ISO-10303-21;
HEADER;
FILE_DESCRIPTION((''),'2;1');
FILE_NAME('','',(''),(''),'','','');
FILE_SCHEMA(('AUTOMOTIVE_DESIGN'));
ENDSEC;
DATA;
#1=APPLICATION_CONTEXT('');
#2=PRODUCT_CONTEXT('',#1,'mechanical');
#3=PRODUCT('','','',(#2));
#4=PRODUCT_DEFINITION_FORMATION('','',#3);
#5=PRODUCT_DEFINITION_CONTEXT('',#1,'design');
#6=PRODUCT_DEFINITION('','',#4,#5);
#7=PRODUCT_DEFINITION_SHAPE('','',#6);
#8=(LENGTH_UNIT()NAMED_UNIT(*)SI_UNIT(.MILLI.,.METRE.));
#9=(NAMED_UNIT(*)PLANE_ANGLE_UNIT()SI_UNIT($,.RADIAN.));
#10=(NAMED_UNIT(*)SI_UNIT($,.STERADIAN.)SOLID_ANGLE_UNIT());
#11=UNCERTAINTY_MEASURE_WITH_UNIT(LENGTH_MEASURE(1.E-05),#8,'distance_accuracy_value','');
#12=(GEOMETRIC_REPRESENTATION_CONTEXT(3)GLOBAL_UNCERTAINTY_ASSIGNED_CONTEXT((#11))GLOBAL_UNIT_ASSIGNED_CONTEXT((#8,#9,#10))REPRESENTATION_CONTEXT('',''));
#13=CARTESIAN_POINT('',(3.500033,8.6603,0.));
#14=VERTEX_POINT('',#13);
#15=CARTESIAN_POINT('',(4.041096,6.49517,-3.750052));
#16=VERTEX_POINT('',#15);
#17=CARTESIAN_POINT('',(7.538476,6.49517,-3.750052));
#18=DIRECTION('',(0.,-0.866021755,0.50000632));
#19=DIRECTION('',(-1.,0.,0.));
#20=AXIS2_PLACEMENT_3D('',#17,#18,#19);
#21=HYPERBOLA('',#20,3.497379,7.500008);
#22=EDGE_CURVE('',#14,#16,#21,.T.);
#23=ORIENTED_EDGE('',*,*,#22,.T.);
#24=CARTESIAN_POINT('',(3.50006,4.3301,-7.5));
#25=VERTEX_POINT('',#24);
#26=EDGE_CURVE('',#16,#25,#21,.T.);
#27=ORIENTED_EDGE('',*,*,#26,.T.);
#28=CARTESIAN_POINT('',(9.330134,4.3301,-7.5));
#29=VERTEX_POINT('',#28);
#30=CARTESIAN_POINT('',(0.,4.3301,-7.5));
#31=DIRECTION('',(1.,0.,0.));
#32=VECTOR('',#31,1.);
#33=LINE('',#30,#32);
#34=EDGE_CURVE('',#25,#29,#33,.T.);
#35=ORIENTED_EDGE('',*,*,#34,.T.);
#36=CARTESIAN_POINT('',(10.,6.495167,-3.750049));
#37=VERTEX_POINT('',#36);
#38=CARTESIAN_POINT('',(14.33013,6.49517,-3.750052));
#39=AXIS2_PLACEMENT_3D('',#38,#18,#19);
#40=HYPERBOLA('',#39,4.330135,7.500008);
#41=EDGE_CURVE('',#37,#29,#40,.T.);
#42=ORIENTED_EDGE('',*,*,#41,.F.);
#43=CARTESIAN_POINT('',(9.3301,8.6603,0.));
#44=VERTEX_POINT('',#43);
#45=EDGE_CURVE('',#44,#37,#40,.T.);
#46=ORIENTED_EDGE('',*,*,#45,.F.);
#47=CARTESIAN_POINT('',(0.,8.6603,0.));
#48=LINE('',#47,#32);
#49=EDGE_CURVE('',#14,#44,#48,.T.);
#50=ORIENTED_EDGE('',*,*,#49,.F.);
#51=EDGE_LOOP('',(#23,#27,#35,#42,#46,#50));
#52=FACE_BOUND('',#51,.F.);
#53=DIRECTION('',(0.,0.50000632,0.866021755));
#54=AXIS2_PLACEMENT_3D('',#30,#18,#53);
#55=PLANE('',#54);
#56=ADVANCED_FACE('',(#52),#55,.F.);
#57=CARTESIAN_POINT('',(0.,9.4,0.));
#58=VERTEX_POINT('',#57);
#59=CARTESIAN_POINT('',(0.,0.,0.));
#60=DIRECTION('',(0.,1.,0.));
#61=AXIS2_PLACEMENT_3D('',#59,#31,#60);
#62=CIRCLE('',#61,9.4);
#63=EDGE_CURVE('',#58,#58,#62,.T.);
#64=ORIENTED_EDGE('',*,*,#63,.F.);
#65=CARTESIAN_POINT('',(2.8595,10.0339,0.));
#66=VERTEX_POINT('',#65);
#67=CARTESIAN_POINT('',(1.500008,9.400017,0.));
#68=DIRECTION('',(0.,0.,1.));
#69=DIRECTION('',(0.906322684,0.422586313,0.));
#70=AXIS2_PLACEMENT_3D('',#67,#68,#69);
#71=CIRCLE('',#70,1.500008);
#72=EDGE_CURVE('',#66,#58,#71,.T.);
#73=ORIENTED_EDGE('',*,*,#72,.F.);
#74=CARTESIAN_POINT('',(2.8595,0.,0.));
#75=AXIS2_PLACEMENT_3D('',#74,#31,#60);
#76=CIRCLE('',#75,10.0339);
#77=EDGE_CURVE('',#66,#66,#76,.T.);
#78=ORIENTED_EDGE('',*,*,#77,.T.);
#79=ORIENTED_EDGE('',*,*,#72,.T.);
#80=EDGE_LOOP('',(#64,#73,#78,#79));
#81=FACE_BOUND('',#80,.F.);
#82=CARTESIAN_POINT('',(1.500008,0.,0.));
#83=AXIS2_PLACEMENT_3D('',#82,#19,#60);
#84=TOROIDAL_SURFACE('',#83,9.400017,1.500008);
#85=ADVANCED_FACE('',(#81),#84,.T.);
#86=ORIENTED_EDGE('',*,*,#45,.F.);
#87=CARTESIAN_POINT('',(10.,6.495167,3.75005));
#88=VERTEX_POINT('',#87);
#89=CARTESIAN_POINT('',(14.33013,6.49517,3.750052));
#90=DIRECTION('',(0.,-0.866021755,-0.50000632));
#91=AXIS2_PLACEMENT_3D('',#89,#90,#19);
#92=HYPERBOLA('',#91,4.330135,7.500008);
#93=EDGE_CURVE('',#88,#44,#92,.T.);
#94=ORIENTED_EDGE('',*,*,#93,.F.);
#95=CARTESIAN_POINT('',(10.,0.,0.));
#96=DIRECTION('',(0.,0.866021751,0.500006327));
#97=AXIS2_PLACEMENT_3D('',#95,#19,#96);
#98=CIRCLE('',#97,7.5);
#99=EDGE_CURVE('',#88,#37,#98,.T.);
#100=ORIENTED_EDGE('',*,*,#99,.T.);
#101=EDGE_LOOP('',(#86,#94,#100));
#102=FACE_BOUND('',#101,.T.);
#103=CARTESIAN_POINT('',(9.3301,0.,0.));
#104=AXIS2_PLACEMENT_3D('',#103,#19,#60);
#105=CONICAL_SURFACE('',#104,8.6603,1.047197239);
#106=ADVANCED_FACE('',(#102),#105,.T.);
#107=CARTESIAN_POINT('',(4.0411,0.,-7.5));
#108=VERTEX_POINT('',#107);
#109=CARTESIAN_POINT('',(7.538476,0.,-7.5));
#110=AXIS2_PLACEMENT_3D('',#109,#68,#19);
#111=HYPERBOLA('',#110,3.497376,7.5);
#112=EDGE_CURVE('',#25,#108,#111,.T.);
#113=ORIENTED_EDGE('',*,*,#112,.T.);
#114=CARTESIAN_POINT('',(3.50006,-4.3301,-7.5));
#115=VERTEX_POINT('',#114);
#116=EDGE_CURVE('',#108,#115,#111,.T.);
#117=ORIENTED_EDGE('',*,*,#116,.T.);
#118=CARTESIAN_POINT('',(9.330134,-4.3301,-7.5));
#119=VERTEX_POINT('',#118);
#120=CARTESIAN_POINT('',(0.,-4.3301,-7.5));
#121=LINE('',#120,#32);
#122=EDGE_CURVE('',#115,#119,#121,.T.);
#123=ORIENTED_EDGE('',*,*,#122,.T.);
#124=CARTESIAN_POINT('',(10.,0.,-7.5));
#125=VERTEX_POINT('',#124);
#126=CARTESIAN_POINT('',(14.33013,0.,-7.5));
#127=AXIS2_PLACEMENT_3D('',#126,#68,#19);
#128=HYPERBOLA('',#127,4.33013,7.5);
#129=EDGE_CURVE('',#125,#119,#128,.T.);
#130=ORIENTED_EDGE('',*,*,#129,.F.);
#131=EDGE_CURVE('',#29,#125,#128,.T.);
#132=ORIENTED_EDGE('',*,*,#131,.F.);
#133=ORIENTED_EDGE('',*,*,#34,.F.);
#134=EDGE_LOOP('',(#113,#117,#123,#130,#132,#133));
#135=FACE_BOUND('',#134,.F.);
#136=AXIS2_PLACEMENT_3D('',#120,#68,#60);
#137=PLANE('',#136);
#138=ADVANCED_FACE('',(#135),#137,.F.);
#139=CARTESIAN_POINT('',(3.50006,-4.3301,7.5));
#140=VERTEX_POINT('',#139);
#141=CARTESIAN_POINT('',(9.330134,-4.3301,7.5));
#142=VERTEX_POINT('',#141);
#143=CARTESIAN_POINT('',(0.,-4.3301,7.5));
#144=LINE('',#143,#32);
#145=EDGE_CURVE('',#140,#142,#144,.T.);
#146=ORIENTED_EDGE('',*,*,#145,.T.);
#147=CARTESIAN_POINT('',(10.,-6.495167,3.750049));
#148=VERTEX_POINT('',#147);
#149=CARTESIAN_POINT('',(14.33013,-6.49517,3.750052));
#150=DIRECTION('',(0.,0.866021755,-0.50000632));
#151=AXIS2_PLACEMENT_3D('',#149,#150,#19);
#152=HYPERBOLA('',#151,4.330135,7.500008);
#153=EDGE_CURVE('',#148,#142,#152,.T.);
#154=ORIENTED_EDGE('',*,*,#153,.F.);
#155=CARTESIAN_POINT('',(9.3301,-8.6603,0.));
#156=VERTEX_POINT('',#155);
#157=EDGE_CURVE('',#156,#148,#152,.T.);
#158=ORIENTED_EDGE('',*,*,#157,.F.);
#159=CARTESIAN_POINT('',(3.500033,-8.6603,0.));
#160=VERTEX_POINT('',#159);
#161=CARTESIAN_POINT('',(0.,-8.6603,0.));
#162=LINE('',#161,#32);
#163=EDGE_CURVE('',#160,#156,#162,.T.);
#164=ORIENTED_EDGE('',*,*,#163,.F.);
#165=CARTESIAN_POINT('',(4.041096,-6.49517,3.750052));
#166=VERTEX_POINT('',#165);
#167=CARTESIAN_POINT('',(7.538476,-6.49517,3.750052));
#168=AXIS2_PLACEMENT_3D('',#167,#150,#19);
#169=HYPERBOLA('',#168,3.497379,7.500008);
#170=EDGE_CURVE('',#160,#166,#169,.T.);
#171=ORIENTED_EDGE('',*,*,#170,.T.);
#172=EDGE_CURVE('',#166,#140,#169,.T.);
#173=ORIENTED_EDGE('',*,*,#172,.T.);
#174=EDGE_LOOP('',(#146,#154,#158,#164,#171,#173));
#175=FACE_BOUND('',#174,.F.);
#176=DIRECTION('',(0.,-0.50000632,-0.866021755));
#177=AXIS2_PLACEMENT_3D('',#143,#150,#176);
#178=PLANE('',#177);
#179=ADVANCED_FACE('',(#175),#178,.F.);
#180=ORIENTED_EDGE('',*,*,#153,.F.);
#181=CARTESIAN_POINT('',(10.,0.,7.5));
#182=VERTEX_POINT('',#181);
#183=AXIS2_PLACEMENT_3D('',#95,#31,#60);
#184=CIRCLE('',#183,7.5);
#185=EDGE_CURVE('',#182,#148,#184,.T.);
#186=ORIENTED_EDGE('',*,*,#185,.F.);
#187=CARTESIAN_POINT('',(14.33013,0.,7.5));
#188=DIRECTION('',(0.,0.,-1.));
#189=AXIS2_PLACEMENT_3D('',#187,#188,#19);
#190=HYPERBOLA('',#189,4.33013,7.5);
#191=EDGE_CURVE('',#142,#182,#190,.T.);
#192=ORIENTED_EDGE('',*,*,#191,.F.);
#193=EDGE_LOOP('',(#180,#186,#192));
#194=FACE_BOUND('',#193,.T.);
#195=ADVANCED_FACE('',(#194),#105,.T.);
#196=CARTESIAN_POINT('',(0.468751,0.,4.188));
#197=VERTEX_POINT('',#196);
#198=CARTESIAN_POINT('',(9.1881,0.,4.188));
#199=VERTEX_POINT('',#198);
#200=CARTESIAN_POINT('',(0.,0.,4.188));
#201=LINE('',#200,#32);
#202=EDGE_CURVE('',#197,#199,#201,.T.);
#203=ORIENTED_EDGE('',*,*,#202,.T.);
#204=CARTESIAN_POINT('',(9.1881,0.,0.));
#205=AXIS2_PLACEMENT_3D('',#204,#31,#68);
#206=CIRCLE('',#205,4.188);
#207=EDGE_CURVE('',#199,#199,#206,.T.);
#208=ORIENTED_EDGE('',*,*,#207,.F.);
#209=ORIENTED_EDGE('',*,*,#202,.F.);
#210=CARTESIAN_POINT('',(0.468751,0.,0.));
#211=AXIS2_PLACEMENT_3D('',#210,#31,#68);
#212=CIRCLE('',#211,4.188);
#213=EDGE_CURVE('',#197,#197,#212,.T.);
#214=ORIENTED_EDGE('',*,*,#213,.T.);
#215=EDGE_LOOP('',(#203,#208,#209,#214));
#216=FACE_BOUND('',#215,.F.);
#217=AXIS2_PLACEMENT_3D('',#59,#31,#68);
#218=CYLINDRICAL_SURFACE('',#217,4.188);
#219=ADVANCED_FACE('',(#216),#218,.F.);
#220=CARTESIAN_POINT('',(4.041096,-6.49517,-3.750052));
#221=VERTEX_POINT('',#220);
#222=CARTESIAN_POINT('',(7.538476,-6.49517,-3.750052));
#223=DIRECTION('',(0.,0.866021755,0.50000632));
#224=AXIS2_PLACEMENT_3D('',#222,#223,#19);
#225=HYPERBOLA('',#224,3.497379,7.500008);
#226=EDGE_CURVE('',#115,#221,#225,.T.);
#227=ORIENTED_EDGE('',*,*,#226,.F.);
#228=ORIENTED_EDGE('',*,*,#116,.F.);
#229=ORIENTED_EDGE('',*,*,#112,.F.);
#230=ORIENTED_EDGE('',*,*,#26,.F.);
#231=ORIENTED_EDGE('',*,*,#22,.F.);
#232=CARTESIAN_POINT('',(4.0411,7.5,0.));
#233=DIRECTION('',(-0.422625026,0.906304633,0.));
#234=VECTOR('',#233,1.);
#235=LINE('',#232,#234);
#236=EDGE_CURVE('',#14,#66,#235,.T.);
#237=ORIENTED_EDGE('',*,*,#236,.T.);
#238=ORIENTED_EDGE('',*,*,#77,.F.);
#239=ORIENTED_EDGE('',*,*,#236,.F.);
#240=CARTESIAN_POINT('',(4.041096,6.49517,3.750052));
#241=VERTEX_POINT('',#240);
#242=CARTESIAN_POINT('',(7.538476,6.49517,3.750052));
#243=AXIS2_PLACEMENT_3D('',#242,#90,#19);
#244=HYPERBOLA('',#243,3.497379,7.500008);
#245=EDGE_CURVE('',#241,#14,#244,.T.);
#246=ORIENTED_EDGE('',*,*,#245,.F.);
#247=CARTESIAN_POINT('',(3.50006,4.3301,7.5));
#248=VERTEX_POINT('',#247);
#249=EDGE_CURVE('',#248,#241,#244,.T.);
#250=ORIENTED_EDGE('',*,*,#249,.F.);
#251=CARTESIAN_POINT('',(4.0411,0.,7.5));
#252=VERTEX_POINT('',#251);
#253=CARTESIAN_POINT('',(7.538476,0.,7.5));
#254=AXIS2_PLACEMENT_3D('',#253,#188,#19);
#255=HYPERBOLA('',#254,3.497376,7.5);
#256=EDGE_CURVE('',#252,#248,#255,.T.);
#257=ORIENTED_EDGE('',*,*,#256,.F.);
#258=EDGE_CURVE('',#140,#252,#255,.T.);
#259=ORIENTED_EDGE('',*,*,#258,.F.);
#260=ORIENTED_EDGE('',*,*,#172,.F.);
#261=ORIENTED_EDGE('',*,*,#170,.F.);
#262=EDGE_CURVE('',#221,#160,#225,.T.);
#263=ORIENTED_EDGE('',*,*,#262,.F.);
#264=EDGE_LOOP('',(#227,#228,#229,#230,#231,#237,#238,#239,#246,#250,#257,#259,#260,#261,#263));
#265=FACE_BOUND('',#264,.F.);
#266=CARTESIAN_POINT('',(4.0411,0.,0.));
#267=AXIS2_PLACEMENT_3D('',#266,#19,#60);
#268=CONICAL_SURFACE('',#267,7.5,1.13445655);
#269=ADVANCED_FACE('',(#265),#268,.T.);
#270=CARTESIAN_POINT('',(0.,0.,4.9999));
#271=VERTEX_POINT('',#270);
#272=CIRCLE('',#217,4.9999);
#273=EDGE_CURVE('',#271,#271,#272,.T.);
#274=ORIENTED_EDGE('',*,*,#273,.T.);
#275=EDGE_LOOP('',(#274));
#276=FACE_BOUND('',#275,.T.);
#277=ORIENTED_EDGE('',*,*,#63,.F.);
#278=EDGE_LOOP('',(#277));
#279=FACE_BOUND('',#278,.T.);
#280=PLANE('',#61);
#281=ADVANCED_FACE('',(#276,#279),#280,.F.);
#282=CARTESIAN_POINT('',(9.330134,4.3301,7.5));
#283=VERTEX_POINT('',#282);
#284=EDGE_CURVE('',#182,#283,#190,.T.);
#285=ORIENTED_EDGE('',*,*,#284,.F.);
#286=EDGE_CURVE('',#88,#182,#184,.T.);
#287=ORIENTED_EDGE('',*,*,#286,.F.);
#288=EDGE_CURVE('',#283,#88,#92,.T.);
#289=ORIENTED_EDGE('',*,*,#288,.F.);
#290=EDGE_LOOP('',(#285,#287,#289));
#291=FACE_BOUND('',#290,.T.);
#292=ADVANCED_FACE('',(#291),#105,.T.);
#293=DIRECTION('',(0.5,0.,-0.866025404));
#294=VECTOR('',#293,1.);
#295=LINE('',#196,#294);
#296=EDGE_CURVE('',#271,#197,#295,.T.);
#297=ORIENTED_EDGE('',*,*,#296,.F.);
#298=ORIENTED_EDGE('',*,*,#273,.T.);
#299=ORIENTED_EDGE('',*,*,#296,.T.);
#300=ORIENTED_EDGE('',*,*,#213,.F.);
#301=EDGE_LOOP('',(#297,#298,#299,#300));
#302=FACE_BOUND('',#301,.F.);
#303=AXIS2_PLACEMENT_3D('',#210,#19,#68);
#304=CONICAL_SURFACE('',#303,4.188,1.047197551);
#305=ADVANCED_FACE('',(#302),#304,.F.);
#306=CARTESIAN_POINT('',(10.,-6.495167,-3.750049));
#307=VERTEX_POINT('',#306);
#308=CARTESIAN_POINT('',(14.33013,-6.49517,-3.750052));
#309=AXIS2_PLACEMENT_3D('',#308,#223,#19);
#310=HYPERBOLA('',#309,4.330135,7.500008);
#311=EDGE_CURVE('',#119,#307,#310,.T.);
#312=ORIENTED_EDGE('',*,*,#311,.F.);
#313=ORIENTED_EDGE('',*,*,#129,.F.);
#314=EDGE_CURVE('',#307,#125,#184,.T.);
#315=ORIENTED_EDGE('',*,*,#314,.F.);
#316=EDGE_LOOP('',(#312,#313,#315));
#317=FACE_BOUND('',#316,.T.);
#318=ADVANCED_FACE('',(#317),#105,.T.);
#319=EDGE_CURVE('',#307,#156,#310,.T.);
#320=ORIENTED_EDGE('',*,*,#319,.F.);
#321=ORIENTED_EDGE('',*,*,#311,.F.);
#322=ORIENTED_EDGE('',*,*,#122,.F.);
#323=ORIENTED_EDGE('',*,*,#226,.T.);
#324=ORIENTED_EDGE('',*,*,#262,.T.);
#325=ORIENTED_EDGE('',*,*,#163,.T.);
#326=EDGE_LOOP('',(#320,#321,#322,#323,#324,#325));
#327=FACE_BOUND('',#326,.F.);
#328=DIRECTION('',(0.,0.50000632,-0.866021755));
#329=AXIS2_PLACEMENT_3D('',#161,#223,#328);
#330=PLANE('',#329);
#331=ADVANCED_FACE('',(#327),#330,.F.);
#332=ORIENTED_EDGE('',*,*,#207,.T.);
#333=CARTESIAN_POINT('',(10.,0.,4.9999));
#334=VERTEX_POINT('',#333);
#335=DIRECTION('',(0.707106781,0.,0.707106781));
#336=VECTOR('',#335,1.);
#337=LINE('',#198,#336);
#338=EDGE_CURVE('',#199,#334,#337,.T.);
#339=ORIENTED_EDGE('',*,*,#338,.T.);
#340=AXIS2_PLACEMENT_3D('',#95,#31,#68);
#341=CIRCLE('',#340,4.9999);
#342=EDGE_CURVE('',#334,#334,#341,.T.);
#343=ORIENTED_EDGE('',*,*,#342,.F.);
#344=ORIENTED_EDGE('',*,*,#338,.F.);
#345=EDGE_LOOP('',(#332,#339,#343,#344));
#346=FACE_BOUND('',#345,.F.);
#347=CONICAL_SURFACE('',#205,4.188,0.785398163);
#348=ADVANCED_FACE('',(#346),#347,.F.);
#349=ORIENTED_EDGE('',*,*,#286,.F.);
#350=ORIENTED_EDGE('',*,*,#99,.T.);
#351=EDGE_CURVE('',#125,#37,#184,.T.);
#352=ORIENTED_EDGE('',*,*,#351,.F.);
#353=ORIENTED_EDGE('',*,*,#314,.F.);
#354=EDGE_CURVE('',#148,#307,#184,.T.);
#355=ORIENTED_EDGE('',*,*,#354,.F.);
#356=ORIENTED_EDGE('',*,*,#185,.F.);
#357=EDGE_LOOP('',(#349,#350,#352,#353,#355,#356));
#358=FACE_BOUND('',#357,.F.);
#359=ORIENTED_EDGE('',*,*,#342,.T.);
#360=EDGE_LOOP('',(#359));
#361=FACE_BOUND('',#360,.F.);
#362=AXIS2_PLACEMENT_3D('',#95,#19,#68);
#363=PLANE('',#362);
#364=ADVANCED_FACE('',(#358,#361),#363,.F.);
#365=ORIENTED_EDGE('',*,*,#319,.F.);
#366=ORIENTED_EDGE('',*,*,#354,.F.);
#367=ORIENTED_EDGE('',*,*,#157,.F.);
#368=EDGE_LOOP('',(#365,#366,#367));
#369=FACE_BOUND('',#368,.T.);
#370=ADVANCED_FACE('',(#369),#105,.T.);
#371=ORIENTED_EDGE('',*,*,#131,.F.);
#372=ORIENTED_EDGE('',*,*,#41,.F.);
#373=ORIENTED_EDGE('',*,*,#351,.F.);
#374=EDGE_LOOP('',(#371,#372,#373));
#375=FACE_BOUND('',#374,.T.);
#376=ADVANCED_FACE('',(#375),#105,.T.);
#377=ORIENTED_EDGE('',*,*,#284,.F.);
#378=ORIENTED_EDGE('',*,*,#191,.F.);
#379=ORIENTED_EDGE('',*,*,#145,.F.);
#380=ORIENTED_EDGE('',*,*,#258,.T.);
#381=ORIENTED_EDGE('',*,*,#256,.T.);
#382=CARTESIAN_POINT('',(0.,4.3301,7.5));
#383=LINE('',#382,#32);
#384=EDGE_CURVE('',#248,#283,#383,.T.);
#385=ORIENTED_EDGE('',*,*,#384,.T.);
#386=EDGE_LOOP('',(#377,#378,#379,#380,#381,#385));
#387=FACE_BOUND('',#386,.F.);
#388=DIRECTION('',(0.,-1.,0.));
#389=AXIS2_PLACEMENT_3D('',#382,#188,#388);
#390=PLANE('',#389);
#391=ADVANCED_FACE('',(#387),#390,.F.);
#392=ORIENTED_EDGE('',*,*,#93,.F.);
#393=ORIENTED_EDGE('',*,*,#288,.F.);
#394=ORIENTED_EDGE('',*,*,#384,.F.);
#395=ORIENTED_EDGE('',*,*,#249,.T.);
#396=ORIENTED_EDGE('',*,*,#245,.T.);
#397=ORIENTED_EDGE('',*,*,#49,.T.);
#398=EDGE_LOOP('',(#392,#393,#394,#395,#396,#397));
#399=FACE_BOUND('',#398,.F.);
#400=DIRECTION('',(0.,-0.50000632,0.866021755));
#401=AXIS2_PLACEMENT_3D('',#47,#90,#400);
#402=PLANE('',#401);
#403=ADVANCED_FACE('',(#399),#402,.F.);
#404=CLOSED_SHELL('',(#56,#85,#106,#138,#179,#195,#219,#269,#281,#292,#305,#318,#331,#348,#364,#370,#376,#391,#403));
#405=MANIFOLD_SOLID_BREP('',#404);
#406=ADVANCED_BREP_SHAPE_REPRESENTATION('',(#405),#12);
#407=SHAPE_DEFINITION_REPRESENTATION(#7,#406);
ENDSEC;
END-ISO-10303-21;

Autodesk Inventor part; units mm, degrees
ref_plane "YZ Plane" through (0, 0, 0) normal (1, 0, 0) x (0, 1, 0)
ref_plane "XZ Plane" through (0, 0, 0) normal (0, 1, 0) x (-1, 0, 0)
sketch "Boceto1" plane through (0, 0, 0) normal (0, 0, 1) x (1, 0, 0)
  line L0 (-2.3053, 0) -> (12.0509, 0) projected
  line L1 (4.0411, 7.5) -> (2.8595, 10.0339)
  line L2 (4.0411, 7.5) -> (10, 7.5) construction
  line L3 (10, 7.5) -> (10, 0) construction
  arc A0 (2.8595, 10.0339) -> (0, 9.4) centre (1.5, 9.4) ccw
  line L4 (4.0411, 7.5) -> (4.0411, 0)
  line L5 (0, -2.2363) -> (0, 13.4177) projected
  point P0 (0, 0)
  dimension "d2" = 15
  dimension "d4" = 21.8
  dimension "d5" = 1.5
  dimension "d15" = 10
  dimension "d16" = 25
revolve "Anilla" add sketch "Boceto1" angle 360 about axis through (-10, 0, 0) along (1, 0, 0)
sketch "Boceto2" plane through (0, 0, 0) normal (-1, 0, 0) x (0, 0, 1)
  circle A0 centre (0, 0) radius 4.9
  line L0 (-7.5, -4.3301) -> (-7.5, 4.3301)
  line L1 (-7.5, 4.3301) -> (0, 8.6603)
  line L2 (0, 8.6603) -> (7.5, 4.3301)
  line L3 (7.5, 4.3301) -> (7.5, -4.3301)
  line L4 (7.5, -4.3301) -> (0, -8.6603)
  line L5 (0, -8.6603) -> (-7.5, -4.3301)
  circle A1 centre (0, 0) radius 9.4 projected
  dimension "d6" = 17.3205
extrude "Cuerpo" add sketch "Boceto2" against normal blind 10 contours A0 | L0 L1 L2 L3 L4 L5
sketch "Boceto3" plane through (0, 0, 0) normal (0, 0, 1) x (1, 0, 0)
  line L0 (3.5, 8.6603) -> (10, 8.6603) projected
  line L1 (10, 4.3301) -> (10, 8.6603) projected
  line L2 (0, -9.4) -> (0, 9.4) projected
  line L3 (-2, 0) -> (12, 0) projected
  line L4 (9.3301, 8.6603) -> (10, 7.5)
  dimension "d10" = 30
  dimension "d11" = 15
revolve "Chaflán1" cut sketch "Boceto3" angle 360 about axis through (-10, 0, 0) along (1, 0, 0)
sketch "Boceto4" plane through (0, 0, 0) normal (-1, 0, 0) x (0, 0, 1)
  circle A0 centre (0, 0) radius 9.4 projected
hole "Rosca" at (0, 0, 0) direction (1, 0, 0) diameter 8.376 end through all thread size "M10x1.5" class "6H" standard "ISO Metric profile"
chamfer "Chaflán2" distance 0.8119 angle 30 1 edges at (0, 0, -4.188) measured on face at (0, 7.5614, -0.9181)
ref_plane "Work Plane1" through (32.4111, 0, 0) normal (0, 0, -1) x (-1, 0, 0)
chamfer "Chaflán3" distance 0.8119 angle 45 1 edges at (10, 0, -4.188)
equation "\"d2\" = SW"
equation "\"d4\" = LADI"
equation "\"d5\" = PHH"
equation "\"d15\" = KOH"
equation "\"d16\" = KEWI"
equation "\"d6\" = 1.1547 * SW"
equation "\"d7\" = KOH"
equation "\"d10\" = ANG1"
equation "\"d11\" = SW0"
equation "\"d12\" = -0.5 * GD1 + 0.5 * NND"
equation "\"d46\" = -0.5 * GD1 + 0.5 * NND"
equation "\"d51\" = -0.5 * GD1 + 0.5 * NND"
equation "\"ANG1\" = 30deg"
equation "\"KEWI\" = 25deg"
equation "\"LADI\" = 21.8"
equation "\"SW\" = 15"
equation "\"PHH\" = 1.5"
equation "\"KOH\" = NND"
equation "\"SW0\" = 15"
equation "\"d1\" = LADI"
equation "\"d3\" = PHH"
equation "\"GUL\" = 0.541266 * PTC"
equation "\"RR\" = PHH"
equation "\"TOA\" = 30deg"
equation "\"PTC\" = 1.5"
equation "\"GAL\" = 0.541266 * PTC"
equation "\"E0\" = 1.155 * SW"
equation "\"GD1\" = 8.376202"
equation "\"NND\" = 10"
properties part number "ISO 4161 - M10" material "Acero inoxidable"
